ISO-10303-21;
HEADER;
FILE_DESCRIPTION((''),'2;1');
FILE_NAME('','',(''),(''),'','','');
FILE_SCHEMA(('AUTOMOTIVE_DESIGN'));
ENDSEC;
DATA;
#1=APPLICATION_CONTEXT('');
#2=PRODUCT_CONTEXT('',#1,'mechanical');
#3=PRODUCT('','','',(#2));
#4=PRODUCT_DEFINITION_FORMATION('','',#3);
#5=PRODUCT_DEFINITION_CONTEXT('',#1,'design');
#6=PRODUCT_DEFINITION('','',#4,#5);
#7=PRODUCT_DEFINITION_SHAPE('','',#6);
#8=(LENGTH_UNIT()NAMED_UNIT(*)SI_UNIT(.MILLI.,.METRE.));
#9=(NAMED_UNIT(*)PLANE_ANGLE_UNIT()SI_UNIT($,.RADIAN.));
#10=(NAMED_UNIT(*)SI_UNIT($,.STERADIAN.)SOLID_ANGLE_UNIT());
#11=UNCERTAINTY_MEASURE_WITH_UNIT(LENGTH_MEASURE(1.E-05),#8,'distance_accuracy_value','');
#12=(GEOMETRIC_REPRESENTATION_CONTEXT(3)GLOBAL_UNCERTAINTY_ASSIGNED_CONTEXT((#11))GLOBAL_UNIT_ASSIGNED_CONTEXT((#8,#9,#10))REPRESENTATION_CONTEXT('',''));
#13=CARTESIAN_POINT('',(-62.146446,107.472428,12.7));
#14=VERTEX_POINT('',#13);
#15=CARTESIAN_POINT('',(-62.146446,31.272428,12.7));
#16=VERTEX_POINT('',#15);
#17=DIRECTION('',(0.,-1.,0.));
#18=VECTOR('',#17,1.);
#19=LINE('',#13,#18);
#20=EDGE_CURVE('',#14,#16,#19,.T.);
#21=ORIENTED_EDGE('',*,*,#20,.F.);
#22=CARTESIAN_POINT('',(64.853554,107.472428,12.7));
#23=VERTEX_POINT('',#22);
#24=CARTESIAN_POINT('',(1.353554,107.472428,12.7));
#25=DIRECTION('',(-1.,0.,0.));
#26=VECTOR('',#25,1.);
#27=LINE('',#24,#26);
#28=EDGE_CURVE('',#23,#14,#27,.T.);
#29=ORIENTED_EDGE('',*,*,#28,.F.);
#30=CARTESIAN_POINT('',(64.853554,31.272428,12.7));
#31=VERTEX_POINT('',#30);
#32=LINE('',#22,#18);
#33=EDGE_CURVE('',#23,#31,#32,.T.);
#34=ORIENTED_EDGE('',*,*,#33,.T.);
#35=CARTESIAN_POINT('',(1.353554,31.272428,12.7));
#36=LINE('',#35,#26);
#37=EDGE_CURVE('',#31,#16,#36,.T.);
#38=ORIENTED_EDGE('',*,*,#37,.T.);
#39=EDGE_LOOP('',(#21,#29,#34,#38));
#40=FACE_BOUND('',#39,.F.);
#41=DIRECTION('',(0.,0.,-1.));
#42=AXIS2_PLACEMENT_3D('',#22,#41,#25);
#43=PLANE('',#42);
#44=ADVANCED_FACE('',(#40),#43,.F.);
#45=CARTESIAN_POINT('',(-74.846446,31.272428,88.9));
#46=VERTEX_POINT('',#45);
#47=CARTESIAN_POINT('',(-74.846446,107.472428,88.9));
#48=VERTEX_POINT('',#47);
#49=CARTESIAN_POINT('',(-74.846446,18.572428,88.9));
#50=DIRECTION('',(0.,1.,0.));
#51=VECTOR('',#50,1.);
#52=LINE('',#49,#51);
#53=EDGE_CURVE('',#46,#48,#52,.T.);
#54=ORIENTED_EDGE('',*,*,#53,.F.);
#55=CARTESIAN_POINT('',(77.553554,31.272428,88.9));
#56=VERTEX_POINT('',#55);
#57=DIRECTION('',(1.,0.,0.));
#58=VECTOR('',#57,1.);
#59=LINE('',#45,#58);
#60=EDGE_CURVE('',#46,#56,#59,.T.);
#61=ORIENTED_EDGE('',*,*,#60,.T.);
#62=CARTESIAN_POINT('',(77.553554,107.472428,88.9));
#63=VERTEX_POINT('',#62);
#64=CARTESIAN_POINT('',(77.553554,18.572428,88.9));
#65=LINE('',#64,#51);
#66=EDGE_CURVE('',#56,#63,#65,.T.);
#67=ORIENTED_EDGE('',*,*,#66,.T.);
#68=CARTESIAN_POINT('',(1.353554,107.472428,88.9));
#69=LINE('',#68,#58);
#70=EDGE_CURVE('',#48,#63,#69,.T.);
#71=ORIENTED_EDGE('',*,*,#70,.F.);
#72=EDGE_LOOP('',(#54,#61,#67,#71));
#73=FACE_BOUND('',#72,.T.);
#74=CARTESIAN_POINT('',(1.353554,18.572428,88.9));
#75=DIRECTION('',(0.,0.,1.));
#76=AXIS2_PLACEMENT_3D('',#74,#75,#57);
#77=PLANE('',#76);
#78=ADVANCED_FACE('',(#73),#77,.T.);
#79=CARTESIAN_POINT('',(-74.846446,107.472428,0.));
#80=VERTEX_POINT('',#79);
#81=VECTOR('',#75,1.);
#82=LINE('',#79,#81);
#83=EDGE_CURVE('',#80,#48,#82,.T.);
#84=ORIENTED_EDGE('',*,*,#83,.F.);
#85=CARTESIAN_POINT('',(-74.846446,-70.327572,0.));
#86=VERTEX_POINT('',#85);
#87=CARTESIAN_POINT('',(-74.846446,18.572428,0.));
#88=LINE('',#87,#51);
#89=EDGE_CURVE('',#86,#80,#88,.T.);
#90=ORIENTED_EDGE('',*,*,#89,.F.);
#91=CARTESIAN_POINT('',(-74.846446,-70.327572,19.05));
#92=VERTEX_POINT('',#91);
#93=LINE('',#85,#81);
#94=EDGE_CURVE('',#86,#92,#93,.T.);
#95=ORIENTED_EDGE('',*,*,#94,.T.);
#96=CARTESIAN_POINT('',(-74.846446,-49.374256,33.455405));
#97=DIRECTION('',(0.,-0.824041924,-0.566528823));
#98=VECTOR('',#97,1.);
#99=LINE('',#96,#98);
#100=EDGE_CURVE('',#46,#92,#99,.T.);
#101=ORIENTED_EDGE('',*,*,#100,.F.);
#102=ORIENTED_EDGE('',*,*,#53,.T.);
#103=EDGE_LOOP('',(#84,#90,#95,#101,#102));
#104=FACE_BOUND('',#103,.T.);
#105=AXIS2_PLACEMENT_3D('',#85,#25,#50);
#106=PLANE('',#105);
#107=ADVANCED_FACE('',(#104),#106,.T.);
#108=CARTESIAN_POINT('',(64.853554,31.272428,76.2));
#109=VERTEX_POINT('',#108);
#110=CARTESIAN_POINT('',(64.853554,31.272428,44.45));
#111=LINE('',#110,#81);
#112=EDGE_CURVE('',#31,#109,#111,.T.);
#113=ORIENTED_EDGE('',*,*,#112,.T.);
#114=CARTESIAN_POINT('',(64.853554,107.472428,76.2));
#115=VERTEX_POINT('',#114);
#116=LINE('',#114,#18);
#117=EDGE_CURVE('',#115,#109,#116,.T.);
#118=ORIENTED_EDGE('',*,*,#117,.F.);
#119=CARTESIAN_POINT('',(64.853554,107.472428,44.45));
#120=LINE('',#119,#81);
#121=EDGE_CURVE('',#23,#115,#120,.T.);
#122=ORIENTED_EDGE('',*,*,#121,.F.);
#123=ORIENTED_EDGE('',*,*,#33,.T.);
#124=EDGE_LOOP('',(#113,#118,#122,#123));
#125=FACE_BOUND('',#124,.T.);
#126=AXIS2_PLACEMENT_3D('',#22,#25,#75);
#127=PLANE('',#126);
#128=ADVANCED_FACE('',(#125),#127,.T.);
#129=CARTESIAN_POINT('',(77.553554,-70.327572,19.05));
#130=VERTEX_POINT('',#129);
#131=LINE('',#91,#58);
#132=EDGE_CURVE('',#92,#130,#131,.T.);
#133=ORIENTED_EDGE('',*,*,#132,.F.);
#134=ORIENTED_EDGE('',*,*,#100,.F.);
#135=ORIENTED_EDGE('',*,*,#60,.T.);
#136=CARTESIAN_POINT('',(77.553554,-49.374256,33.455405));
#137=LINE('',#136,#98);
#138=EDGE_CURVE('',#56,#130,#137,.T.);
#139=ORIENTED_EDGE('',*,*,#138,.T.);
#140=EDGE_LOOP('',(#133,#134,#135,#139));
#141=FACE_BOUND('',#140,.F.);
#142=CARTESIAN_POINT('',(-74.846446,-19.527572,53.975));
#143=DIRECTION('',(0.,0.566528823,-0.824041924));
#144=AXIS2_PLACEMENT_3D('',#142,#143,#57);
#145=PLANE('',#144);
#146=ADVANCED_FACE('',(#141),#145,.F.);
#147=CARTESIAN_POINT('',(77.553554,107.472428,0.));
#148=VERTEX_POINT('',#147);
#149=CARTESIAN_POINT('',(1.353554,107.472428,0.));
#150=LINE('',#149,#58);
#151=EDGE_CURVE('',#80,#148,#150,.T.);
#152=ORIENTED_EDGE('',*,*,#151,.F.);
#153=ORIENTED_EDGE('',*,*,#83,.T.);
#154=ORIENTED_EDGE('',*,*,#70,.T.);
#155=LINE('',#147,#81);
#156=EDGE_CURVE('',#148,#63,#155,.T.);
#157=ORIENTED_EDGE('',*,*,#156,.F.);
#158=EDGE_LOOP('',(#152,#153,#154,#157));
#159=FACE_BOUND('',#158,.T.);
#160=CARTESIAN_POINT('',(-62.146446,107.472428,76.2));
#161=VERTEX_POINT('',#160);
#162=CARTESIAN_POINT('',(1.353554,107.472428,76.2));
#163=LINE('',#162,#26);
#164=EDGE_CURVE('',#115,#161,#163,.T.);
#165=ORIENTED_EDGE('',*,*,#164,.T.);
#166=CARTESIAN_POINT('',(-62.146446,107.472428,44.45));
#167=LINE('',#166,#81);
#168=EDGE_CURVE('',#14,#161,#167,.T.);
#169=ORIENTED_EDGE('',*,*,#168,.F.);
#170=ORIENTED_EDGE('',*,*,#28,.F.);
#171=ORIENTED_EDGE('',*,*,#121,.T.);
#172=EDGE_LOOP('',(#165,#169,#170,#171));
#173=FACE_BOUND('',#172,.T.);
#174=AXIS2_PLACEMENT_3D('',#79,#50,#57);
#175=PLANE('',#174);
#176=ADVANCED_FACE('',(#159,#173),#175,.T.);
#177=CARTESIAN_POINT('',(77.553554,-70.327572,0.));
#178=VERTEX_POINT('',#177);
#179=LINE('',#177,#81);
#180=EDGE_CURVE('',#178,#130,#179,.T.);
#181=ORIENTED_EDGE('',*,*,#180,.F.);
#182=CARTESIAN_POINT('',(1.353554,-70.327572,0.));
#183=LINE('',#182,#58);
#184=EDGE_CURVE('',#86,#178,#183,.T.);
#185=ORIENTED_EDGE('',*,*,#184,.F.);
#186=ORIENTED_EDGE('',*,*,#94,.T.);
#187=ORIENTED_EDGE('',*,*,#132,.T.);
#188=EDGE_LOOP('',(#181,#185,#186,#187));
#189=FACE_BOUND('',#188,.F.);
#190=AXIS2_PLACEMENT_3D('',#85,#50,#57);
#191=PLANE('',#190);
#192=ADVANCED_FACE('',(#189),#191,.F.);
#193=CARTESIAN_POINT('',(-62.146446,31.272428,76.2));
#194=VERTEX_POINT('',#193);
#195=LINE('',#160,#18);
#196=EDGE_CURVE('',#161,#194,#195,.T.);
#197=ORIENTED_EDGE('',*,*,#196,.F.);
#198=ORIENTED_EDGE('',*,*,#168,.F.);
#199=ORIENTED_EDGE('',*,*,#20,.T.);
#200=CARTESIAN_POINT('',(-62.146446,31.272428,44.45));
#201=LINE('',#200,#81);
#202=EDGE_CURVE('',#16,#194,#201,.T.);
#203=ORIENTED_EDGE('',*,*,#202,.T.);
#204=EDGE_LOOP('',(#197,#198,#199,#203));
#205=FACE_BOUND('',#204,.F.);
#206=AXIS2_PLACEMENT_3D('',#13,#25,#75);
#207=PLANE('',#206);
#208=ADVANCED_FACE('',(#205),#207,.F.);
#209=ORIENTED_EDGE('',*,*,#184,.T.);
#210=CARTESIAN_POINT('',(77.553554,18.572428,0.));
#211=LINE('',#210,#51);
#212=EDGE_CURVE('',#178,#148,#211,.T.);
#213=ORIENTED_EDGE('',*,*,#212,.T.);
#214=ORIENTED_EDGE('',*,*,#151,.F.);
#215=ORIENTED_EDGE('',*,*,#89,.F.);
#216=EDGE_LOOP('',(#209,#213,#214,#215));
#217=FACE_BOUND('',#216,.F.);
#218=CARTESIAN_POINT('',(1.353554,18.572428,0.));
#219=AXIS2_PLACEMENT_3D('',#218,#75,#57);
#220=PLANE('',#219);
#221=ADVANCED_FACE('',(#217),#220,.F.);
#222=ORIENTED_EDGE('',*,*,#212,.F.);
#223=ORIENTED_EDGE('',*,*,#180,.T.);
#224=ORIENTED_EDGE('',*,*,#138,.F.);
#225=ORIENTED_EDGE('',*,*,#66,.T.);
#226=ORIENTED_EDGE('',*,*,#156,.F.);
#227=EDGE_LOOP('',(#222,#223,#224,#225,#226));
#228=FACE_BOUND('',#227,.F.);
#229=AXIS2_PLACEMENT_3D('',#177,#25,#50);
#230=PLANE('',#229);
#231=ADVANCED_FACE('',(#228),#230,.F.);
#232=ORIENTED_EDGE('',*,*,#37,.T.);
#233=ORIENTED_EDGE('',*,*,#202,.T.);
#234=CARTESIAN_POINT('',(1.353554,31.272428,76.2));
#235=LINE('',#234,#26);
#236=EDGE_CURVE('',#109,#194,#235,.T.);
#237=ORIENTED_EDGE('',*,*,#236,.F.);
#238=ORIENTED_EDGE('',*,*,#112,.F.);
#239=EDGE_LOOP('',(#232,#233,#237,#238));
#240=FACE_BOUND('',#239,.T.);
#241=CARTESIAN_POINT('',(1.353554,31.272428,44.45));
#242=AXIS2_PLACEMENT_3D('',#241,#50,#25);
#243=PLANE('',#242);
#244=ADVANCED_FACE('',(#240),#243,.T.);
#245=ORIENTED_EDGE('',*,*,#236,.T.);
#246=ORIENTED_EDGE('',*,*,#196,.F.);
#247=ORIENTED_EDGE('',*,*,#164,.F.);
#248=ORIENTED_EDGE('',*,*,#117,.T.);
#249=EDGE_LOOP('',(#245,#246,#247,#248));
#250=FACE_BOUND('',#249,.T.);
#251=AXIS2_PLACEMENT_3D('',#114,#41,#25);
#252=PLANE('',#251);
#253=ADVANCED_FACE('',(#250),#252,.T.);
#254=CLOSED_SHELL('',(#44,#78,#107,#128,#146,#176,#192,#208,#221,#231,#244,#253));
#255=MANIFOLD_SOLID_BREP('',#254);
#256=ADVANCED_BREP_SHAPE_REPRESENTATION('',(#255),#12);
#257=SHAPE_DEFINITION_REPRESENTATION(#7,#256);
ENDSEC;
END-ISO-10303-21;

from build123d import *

# Parameters (mm, degrees)
F0_W     = 152.4
F0_H     = 177.8
F1_DEPTH = 88.9
F2_SIZE2 = 69.85
F2_SIZE  = 101.6
F3_W     = 127
F3_H     = 63.5
F4_DEPTH = 76.2


with BuildPart() as f1:
    # F0 (on Top) → F1 (new body)
    with BuildSketch(Plane.XY):
        with Locations((1.3535544276, 18.5724278663)):
            Rectangle(F0_W, F0_H)
    extrude(amount=F1_DEPTH)

    # F2
    f2_edges = [f1.edges().sort_by_distance(p)[0] for p in [
        (1.353554, -70.327572, 88.9),
    ]]
    f2_side = f1.faces().sort_by_distance((1.353554, 18.572428, 88.9))[0]
    chamfer(f2_edges, length=F2_SIZE, length2=F2_SIZE2, reference=f2_side)

    # F3 (on face) → F4 (cut)
    with BuildSketch(Plane(origin=(0, 107.4724278663, 0), x_dir=(-1, 0, 0), z_dir=(0, 1, 0))):
        with Locations((-1.3535544276, 44.45)):
            Rectangle(F3_W, F3_H)
    extrude(amount=-F4_DEPTH, mode=Mode.SUBTRACT)


solid = f1.part
